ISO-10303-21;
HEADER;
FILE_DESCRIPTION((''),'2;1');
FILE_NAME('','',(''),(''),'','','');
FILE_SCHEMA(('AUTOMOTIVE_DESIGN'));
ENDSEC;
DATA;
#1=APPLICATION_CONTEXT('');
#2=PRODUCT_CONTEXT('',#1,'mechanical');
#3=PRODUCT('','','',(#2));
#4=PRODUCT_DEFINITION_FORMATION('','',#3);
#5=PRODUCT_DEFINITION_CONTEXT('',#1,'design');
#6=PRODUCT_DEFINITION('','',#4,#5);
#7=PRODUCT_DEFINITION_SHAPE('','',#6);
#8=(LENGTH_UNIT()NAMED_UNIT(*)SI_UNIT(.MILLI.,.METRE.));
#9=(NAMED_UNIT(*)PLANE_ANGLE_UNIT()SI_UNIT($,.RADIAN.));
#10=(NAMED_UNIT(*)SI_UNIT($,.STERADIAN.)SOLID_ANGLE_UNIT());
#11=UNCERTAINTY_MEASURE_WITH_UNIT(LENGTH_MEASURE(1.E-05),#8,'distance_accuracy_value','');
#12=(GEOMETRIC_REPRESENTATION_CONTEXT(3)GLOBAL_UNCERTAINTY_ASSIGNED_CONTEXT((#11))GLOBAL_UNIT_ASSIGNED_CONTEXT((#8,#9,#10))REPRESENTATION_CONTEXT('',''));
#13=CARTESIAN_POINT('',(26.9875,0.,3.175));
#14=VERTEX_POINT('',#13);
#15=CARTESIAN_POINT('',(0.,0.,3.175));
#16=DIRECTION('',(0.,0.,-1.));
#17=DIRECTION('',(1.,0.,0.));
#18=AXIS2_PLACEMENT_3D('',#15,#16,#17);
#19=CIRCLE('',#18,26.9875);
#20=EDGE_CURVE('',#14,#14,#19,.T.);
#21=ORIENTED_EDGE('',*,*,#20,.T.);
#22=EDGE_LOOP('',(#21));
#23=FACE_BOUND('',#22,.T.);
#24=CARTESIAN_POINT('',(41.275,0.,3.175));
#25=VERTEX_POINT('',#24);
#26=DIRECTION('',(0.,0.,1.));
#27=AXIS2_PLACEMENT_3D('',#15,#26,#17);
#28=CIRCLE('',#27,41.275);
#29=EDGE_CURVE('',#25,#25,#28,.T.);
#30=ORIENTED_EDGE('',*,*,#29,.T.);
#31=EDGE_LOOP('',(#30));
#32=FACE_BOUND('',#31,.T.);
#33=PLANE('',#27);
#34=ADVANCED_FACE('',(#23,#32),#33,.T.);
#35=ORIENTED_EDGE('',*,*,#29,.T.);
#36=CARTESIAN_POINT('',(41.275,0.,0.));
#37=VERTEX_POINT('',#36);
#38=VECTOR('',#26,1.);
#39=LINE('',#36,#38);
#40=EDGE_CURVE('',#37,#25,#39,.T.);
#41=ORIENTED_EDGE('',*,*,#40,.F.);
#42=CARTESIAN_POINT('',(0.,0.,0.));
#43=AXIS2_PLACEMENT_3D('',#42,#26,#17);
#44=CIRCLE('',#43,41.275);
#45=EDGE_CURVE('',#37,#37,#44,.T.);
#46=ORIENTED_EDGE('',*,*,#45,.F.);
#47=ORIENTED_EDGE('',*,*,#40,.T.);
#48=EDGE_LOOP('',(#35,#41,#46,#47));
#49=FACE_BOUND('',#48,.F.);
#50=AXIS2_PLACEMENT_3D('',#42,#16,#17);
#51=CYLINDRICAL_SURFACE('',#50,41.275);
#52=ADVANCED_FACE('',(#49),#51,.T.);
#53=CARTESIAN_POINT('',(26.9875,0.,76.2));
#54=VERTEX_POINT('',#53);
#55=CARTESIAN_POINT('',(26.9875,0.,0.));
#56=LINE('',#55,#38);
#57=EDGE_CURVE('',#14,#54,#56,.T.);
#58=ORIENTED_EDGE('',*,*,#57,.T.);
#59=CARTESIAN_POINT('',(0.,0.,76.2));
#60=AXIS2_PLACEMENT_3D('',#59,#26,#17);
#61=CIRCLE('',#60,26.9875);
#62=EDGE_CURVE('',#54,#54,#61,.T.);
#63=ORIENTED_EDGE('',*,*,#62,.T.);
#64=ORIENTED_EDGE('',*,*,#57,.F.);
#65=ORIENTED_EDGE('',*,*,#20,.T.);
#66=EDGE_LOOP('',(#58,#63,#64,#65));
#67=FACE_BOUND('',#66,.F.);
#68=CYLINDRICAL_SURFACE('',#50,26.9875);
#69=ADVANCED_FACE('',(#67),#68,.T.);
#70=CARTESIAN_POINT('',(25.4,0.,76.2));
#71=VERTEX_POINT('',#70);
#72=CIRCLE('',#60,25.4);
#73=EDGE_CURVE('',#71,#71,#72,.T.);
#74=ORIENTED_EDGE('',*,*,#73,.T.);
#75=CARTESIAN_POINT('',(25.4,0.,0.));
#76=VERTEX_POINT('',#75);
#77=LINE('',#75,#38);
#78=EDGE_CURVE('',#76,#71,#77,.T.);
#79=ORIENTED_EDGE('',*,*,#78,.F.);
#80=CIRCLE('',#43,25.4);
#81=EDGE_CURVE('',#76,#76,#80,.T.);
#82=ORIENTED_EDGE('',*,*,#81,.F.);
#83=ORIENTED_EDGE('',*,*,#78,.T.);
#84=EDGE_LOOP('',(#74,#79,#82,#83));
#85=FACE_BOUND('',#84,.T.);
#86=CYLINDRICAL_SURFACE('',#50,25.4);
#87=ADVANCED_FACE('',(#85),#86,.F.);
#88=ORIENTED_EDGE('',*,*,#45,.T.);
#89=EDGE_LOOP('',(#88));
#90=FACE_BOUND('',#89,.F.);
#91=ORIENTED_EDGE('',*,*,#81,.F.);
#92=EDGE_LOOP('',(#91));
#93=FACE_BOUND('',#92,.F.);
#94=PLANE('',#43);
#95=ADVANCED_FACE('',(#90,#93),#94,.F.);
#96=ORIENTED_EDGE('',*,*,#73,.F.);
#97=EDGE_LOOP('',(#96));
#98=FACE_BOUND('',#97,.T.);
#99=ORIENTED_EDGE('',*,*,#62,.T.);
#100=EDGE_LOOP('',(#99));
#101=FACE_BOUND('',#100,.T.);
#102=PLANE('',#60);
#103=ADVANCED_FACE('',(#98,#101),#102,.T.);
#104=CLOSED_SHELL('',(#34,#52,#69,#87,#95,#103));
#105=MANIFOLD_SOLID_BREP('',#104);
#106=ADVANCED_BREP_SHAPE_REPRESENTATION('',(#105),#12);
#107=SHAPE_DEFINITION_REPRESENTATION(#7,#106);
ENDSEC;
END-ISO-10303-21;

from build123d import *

# Parameters (mm, degrees)
TUBE001_R     = 41.275
TUBE001_R_2   = 25.4
TUBE001_DEPTH = 3.175
TUBE_R        = 26.9875
TUBE_R_2      = 25.4
TUBE_DEPTH    = 76.2


with BuildPart() as tube001:
    # Tube001 → Tube001 (new body)
    with BuildSketch(Plane.XY):
        Circle(TUBE001_R)
        Circle(TUBE001_R_2, mode=Mode.SUBTRACT)
    extrude(amount=TUBE001_DEPTH)


with BuildPart() as fusion:
    # Tube → Tube (new body)
    with BuildSketch(Plane.XY):
        Circle(TUBE_R)
        Circle(TUBE_R_2, mode=Mode.SUBTRACT)
    extrude(amount=TUBE_DEPTH)

    # Fusion: union Tube001
    add(tube001.part)


solid = fusion.part
